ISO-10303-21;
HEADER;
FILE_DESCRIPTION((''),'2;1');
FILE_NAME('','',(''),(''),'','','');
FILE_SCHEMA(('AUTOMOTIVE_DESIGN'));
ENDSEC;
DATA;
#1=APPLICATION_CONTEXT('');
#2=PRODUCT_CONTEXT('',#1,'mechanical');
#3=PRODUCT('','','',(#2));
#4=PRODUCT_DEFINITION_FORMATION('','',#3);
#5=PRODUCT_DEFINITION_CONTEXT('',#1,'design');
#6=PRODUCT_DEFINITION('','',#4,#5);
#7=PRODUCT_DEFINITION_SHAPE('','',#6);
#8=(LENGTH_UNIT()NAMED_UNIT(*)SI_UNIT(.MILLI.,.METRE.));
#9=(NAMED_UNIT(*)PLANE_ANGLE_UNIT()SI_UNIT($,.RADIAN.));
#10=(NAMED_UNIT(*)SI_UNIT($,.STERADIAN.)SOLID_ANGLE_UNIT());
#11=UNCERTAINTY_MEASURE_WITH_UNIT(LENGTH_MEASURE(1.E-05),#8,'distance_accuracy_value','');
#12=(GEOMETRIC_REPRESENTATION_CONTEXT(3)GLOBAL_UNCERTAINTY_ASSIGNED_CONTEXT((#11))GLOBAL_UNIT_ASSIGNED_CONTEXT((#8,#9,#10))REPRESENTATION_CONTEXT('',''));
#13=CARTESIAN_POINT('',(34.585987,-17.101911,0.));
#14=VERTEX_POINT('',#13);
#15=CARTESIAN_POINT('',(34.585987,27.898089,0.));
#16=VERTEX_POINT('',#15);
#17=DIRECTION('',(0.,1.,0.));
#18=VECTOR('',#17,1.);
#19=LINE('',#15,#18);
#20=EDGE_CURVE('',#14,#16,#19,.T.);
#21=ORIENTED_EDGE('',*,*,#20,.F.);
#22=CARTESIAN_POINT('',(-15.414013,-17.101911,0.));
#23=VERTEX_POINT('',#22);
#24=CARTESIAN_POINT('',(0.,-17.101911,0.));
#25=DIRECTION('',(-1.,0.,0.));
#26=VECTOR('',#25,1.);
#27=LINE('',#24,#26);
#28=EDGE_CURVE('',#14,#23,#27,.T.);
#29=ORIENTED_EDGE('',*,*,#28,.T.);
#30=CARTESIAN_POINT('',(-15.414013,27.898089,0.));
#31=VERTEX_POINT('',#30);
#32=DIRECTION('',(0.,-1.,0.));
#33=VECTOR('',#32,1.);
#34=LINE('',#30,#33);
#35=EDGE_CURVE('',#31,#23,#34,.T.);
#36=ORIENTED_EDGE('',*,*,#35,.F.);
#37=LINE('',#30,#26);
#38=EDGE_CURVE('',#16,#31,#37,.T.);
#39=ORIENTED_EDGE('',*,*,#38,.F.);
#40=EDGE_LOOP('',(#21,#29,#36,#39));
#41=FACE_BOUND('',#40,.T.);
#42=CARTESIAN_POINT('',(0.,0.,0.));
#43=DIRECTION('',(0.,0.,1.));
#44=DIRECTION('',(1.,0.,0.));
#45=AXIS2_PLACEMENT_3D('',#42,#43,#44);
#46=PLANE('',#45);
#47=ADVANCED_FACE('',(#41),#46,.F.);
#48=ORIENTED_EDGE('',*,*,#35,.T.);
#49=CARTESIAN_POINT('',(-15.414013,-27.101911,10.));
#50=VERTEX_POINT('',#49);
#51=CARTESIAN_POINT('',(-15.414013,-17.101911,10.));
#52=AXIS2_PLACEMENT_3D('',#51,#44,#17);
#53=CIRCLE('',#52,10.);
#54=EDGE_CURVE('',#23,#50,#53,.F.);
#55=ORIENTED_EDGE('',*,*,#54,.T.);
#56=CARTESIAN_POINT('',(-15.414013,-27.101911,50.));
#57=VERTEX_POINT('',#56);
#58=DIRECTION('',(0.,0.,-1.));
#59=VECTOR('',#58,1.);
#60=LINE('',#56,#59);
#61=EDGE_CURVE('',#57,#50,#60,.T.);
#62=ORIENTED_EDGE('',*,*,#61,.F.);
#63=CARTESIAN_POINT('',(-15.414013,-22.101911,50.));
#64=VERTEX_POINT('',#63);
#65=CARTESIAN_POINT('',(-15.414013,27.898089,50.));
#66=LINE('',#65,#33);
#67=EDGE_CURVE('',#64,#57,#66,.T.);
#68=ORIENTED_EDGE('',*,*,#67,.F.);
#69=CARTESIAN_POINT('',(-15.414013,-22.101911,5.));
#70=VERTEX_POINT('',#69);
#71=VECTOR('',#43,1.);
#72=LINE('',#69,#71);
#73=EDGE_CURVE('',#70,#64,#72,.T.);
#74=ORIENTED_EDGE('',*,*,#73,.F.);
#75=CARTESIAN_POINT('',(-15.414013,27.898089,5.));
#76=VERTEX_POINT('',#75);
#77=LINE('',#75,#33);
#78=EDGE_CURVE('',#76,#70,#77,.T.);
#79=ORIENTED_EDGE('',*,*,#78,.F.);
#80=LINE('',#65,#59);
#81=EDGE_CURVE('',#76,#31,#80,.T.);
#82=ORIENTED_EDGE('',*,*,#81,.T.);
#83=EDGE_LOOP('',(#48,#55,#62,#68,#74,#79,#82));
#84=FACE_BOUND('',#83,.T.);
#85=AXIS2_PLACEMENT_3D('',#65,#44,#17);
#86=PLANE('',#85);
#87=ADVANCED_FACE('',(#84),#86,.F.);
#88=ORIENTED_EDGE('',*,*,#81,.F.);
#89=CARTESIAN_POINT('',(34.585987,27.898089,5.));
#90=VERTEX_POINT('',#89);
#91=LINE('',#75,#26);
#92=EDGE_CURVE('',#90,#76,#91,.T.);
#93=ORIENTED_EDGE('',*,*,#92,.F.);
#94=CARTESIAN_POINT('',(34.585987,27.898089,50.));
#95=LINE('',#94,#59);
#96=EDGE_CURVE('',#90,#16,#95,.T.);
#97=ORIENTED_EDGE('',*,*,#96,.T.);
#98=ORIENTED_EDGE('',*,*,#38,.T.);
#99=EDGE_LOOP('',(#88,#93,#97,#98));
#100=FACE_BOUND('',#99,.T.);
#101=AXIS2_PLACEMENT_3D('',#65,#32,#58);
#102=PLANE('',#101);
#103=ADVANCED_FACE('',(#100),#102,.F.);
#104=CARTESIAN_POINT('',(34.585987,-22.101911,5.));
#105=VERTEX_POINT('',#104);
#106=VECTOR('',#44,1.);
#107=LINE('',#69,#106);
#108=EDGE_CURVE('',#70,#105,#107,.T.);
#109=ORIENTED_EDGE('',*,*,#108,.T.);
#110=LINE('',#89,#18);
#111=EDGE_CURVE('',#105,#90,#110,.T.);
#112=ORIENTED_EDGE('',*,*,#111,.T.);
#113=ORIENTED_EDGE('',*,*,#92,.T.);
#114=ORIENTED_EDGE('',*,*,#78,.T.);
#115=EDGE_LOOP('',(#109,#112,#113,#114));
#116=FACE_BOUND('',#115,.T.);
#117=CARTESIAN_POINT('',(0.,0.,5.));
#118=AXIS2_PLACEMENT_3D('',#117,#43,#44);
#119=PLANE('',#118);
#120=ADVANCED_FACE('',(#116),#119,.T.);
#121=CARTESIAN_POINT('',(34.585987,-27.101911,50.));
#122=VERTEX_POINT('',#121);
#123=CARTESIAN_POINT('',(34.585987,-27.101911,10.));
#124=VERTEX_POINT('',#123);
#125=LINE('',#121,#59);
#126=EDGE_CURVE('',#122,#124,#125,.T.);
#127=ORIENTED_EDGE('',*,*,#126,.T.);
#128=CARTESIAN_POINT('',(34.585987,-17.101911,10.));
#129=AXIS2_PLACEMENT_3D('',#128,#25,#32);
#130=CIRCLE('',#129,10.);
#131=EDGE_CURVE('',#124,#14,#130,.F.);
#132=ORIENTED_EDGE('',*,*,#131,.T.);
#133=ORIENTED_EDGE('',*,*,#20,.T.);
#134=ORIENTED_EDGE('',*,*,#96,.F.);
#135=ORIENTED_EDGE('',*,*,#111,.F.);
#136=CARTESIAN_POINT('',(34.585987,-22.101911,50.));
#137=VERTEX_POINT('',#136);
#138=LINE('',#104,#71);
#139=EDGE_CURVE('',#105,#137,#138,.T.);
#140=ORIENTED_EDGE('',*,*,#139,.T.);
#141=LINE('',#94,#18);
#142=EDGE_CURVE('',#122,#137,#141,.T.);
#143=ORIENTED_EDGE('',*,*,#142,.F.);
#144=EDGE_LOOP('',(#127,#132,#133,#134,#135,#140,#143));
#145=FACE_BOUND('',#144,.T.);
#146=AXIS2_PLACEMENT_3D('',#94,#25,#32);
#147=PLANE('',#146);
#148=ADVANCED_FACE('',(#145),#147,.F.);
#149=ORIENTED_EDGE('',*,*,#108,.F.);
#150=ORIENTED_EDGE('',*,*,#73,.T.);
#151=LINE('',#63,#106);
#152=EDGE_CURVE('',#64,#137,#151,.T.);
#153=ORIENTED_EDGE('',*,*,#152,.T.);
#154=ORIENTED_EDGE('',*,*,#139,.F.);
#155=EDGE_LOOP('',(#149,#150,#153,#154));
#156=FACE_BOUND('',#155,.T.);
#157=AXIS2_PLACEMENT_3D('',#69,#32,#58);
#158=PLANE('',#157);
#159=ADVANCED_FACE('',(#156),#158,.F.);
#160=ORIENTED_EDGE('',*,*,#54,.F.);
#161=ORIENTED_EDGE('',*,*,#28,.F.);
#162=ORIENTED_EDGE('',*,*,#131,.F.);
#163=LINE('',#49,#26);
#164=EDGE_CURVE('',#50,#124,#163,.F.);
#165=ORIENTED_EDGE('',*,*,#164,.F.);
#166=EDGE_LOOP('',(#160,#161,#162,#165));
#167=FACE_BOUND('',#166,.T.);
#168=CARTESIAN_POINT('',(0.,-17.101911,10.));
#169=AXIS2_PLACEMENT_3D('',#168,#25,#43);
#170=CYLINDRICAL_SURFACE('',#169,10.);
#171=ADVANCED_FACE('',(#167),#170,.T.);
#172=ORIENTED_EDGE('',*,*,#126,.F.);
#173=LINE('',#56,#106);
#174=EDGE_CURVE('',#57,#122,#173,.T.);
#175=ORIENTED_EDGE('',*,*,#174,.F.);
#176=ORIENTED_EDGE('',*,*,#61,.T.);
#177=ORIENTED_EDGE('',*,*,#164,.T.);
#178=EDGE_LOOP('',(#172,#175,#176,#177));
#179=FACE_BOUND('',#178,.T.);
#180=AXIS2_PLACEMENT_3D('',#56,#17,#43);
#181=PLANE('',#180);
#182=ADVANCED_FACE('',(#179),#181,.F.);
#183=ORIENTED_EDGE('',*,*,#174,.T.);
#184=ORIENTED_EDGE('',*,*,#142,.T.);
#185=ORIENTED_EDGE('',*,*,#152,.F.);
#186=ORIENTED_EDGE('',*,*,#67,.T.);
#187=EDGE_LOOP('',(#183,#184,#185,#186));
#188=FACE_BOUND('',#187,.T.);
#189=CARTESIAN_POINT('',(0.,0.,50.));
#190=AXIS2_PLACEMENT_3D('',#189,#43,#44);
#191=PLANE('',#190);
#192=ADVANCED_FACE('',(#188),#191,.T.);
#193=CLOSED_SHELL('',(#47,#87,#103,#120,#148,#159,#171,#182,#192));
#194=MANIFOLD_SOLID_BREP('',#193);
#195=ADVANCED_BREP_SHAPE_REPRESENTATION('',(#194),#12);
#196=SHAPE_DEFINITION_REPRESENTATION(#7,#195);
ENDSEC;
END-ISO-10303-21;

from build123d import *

# Parameters (mm, degrees)
SKETCH1_W           = 50
SKETCH1_H           = 55
BOSS_EXTRUDE1_DEPTH = 50
SKETCH2_W           = 50
SKETCH2_H           = 50
CUT_EXTRUDE1_DEPTH  = 45
FILLET2_R           = 10


with BuildPart() as part:
    # Sketch1 → Boss-Extrude1 (new body)
    with BuildSketch(Plane.XY):
        with Locations((9.585987261, 0.398089172)):
            Rectangle(SKETCH1_W, SKETCH1_H)
    extrude(amount=BOSS_EXTRUDE1_DEPTH)

    # Sketch2 → Cut-Extrude1 (cut)
    with BuildSketch(Plane.XY.offset(50)):
        with Locations((9.585987261, 2.898089172)):
            Rectangle(SKETCH2_W, SKETCH2_H)
    extrude(amount=-CUT_EXTRUDE1_DEPTH, mode=Mode.SUBTRACT)

    # Fillet2
    fillet2_edges = [part.edges().sort_by_distance(p)[0] for p in [
        (9.585987261, -27.101910828, 0),
    ]]
    fillet(fillet2_edges, radius=FILLET2_R)


solid = part.part
